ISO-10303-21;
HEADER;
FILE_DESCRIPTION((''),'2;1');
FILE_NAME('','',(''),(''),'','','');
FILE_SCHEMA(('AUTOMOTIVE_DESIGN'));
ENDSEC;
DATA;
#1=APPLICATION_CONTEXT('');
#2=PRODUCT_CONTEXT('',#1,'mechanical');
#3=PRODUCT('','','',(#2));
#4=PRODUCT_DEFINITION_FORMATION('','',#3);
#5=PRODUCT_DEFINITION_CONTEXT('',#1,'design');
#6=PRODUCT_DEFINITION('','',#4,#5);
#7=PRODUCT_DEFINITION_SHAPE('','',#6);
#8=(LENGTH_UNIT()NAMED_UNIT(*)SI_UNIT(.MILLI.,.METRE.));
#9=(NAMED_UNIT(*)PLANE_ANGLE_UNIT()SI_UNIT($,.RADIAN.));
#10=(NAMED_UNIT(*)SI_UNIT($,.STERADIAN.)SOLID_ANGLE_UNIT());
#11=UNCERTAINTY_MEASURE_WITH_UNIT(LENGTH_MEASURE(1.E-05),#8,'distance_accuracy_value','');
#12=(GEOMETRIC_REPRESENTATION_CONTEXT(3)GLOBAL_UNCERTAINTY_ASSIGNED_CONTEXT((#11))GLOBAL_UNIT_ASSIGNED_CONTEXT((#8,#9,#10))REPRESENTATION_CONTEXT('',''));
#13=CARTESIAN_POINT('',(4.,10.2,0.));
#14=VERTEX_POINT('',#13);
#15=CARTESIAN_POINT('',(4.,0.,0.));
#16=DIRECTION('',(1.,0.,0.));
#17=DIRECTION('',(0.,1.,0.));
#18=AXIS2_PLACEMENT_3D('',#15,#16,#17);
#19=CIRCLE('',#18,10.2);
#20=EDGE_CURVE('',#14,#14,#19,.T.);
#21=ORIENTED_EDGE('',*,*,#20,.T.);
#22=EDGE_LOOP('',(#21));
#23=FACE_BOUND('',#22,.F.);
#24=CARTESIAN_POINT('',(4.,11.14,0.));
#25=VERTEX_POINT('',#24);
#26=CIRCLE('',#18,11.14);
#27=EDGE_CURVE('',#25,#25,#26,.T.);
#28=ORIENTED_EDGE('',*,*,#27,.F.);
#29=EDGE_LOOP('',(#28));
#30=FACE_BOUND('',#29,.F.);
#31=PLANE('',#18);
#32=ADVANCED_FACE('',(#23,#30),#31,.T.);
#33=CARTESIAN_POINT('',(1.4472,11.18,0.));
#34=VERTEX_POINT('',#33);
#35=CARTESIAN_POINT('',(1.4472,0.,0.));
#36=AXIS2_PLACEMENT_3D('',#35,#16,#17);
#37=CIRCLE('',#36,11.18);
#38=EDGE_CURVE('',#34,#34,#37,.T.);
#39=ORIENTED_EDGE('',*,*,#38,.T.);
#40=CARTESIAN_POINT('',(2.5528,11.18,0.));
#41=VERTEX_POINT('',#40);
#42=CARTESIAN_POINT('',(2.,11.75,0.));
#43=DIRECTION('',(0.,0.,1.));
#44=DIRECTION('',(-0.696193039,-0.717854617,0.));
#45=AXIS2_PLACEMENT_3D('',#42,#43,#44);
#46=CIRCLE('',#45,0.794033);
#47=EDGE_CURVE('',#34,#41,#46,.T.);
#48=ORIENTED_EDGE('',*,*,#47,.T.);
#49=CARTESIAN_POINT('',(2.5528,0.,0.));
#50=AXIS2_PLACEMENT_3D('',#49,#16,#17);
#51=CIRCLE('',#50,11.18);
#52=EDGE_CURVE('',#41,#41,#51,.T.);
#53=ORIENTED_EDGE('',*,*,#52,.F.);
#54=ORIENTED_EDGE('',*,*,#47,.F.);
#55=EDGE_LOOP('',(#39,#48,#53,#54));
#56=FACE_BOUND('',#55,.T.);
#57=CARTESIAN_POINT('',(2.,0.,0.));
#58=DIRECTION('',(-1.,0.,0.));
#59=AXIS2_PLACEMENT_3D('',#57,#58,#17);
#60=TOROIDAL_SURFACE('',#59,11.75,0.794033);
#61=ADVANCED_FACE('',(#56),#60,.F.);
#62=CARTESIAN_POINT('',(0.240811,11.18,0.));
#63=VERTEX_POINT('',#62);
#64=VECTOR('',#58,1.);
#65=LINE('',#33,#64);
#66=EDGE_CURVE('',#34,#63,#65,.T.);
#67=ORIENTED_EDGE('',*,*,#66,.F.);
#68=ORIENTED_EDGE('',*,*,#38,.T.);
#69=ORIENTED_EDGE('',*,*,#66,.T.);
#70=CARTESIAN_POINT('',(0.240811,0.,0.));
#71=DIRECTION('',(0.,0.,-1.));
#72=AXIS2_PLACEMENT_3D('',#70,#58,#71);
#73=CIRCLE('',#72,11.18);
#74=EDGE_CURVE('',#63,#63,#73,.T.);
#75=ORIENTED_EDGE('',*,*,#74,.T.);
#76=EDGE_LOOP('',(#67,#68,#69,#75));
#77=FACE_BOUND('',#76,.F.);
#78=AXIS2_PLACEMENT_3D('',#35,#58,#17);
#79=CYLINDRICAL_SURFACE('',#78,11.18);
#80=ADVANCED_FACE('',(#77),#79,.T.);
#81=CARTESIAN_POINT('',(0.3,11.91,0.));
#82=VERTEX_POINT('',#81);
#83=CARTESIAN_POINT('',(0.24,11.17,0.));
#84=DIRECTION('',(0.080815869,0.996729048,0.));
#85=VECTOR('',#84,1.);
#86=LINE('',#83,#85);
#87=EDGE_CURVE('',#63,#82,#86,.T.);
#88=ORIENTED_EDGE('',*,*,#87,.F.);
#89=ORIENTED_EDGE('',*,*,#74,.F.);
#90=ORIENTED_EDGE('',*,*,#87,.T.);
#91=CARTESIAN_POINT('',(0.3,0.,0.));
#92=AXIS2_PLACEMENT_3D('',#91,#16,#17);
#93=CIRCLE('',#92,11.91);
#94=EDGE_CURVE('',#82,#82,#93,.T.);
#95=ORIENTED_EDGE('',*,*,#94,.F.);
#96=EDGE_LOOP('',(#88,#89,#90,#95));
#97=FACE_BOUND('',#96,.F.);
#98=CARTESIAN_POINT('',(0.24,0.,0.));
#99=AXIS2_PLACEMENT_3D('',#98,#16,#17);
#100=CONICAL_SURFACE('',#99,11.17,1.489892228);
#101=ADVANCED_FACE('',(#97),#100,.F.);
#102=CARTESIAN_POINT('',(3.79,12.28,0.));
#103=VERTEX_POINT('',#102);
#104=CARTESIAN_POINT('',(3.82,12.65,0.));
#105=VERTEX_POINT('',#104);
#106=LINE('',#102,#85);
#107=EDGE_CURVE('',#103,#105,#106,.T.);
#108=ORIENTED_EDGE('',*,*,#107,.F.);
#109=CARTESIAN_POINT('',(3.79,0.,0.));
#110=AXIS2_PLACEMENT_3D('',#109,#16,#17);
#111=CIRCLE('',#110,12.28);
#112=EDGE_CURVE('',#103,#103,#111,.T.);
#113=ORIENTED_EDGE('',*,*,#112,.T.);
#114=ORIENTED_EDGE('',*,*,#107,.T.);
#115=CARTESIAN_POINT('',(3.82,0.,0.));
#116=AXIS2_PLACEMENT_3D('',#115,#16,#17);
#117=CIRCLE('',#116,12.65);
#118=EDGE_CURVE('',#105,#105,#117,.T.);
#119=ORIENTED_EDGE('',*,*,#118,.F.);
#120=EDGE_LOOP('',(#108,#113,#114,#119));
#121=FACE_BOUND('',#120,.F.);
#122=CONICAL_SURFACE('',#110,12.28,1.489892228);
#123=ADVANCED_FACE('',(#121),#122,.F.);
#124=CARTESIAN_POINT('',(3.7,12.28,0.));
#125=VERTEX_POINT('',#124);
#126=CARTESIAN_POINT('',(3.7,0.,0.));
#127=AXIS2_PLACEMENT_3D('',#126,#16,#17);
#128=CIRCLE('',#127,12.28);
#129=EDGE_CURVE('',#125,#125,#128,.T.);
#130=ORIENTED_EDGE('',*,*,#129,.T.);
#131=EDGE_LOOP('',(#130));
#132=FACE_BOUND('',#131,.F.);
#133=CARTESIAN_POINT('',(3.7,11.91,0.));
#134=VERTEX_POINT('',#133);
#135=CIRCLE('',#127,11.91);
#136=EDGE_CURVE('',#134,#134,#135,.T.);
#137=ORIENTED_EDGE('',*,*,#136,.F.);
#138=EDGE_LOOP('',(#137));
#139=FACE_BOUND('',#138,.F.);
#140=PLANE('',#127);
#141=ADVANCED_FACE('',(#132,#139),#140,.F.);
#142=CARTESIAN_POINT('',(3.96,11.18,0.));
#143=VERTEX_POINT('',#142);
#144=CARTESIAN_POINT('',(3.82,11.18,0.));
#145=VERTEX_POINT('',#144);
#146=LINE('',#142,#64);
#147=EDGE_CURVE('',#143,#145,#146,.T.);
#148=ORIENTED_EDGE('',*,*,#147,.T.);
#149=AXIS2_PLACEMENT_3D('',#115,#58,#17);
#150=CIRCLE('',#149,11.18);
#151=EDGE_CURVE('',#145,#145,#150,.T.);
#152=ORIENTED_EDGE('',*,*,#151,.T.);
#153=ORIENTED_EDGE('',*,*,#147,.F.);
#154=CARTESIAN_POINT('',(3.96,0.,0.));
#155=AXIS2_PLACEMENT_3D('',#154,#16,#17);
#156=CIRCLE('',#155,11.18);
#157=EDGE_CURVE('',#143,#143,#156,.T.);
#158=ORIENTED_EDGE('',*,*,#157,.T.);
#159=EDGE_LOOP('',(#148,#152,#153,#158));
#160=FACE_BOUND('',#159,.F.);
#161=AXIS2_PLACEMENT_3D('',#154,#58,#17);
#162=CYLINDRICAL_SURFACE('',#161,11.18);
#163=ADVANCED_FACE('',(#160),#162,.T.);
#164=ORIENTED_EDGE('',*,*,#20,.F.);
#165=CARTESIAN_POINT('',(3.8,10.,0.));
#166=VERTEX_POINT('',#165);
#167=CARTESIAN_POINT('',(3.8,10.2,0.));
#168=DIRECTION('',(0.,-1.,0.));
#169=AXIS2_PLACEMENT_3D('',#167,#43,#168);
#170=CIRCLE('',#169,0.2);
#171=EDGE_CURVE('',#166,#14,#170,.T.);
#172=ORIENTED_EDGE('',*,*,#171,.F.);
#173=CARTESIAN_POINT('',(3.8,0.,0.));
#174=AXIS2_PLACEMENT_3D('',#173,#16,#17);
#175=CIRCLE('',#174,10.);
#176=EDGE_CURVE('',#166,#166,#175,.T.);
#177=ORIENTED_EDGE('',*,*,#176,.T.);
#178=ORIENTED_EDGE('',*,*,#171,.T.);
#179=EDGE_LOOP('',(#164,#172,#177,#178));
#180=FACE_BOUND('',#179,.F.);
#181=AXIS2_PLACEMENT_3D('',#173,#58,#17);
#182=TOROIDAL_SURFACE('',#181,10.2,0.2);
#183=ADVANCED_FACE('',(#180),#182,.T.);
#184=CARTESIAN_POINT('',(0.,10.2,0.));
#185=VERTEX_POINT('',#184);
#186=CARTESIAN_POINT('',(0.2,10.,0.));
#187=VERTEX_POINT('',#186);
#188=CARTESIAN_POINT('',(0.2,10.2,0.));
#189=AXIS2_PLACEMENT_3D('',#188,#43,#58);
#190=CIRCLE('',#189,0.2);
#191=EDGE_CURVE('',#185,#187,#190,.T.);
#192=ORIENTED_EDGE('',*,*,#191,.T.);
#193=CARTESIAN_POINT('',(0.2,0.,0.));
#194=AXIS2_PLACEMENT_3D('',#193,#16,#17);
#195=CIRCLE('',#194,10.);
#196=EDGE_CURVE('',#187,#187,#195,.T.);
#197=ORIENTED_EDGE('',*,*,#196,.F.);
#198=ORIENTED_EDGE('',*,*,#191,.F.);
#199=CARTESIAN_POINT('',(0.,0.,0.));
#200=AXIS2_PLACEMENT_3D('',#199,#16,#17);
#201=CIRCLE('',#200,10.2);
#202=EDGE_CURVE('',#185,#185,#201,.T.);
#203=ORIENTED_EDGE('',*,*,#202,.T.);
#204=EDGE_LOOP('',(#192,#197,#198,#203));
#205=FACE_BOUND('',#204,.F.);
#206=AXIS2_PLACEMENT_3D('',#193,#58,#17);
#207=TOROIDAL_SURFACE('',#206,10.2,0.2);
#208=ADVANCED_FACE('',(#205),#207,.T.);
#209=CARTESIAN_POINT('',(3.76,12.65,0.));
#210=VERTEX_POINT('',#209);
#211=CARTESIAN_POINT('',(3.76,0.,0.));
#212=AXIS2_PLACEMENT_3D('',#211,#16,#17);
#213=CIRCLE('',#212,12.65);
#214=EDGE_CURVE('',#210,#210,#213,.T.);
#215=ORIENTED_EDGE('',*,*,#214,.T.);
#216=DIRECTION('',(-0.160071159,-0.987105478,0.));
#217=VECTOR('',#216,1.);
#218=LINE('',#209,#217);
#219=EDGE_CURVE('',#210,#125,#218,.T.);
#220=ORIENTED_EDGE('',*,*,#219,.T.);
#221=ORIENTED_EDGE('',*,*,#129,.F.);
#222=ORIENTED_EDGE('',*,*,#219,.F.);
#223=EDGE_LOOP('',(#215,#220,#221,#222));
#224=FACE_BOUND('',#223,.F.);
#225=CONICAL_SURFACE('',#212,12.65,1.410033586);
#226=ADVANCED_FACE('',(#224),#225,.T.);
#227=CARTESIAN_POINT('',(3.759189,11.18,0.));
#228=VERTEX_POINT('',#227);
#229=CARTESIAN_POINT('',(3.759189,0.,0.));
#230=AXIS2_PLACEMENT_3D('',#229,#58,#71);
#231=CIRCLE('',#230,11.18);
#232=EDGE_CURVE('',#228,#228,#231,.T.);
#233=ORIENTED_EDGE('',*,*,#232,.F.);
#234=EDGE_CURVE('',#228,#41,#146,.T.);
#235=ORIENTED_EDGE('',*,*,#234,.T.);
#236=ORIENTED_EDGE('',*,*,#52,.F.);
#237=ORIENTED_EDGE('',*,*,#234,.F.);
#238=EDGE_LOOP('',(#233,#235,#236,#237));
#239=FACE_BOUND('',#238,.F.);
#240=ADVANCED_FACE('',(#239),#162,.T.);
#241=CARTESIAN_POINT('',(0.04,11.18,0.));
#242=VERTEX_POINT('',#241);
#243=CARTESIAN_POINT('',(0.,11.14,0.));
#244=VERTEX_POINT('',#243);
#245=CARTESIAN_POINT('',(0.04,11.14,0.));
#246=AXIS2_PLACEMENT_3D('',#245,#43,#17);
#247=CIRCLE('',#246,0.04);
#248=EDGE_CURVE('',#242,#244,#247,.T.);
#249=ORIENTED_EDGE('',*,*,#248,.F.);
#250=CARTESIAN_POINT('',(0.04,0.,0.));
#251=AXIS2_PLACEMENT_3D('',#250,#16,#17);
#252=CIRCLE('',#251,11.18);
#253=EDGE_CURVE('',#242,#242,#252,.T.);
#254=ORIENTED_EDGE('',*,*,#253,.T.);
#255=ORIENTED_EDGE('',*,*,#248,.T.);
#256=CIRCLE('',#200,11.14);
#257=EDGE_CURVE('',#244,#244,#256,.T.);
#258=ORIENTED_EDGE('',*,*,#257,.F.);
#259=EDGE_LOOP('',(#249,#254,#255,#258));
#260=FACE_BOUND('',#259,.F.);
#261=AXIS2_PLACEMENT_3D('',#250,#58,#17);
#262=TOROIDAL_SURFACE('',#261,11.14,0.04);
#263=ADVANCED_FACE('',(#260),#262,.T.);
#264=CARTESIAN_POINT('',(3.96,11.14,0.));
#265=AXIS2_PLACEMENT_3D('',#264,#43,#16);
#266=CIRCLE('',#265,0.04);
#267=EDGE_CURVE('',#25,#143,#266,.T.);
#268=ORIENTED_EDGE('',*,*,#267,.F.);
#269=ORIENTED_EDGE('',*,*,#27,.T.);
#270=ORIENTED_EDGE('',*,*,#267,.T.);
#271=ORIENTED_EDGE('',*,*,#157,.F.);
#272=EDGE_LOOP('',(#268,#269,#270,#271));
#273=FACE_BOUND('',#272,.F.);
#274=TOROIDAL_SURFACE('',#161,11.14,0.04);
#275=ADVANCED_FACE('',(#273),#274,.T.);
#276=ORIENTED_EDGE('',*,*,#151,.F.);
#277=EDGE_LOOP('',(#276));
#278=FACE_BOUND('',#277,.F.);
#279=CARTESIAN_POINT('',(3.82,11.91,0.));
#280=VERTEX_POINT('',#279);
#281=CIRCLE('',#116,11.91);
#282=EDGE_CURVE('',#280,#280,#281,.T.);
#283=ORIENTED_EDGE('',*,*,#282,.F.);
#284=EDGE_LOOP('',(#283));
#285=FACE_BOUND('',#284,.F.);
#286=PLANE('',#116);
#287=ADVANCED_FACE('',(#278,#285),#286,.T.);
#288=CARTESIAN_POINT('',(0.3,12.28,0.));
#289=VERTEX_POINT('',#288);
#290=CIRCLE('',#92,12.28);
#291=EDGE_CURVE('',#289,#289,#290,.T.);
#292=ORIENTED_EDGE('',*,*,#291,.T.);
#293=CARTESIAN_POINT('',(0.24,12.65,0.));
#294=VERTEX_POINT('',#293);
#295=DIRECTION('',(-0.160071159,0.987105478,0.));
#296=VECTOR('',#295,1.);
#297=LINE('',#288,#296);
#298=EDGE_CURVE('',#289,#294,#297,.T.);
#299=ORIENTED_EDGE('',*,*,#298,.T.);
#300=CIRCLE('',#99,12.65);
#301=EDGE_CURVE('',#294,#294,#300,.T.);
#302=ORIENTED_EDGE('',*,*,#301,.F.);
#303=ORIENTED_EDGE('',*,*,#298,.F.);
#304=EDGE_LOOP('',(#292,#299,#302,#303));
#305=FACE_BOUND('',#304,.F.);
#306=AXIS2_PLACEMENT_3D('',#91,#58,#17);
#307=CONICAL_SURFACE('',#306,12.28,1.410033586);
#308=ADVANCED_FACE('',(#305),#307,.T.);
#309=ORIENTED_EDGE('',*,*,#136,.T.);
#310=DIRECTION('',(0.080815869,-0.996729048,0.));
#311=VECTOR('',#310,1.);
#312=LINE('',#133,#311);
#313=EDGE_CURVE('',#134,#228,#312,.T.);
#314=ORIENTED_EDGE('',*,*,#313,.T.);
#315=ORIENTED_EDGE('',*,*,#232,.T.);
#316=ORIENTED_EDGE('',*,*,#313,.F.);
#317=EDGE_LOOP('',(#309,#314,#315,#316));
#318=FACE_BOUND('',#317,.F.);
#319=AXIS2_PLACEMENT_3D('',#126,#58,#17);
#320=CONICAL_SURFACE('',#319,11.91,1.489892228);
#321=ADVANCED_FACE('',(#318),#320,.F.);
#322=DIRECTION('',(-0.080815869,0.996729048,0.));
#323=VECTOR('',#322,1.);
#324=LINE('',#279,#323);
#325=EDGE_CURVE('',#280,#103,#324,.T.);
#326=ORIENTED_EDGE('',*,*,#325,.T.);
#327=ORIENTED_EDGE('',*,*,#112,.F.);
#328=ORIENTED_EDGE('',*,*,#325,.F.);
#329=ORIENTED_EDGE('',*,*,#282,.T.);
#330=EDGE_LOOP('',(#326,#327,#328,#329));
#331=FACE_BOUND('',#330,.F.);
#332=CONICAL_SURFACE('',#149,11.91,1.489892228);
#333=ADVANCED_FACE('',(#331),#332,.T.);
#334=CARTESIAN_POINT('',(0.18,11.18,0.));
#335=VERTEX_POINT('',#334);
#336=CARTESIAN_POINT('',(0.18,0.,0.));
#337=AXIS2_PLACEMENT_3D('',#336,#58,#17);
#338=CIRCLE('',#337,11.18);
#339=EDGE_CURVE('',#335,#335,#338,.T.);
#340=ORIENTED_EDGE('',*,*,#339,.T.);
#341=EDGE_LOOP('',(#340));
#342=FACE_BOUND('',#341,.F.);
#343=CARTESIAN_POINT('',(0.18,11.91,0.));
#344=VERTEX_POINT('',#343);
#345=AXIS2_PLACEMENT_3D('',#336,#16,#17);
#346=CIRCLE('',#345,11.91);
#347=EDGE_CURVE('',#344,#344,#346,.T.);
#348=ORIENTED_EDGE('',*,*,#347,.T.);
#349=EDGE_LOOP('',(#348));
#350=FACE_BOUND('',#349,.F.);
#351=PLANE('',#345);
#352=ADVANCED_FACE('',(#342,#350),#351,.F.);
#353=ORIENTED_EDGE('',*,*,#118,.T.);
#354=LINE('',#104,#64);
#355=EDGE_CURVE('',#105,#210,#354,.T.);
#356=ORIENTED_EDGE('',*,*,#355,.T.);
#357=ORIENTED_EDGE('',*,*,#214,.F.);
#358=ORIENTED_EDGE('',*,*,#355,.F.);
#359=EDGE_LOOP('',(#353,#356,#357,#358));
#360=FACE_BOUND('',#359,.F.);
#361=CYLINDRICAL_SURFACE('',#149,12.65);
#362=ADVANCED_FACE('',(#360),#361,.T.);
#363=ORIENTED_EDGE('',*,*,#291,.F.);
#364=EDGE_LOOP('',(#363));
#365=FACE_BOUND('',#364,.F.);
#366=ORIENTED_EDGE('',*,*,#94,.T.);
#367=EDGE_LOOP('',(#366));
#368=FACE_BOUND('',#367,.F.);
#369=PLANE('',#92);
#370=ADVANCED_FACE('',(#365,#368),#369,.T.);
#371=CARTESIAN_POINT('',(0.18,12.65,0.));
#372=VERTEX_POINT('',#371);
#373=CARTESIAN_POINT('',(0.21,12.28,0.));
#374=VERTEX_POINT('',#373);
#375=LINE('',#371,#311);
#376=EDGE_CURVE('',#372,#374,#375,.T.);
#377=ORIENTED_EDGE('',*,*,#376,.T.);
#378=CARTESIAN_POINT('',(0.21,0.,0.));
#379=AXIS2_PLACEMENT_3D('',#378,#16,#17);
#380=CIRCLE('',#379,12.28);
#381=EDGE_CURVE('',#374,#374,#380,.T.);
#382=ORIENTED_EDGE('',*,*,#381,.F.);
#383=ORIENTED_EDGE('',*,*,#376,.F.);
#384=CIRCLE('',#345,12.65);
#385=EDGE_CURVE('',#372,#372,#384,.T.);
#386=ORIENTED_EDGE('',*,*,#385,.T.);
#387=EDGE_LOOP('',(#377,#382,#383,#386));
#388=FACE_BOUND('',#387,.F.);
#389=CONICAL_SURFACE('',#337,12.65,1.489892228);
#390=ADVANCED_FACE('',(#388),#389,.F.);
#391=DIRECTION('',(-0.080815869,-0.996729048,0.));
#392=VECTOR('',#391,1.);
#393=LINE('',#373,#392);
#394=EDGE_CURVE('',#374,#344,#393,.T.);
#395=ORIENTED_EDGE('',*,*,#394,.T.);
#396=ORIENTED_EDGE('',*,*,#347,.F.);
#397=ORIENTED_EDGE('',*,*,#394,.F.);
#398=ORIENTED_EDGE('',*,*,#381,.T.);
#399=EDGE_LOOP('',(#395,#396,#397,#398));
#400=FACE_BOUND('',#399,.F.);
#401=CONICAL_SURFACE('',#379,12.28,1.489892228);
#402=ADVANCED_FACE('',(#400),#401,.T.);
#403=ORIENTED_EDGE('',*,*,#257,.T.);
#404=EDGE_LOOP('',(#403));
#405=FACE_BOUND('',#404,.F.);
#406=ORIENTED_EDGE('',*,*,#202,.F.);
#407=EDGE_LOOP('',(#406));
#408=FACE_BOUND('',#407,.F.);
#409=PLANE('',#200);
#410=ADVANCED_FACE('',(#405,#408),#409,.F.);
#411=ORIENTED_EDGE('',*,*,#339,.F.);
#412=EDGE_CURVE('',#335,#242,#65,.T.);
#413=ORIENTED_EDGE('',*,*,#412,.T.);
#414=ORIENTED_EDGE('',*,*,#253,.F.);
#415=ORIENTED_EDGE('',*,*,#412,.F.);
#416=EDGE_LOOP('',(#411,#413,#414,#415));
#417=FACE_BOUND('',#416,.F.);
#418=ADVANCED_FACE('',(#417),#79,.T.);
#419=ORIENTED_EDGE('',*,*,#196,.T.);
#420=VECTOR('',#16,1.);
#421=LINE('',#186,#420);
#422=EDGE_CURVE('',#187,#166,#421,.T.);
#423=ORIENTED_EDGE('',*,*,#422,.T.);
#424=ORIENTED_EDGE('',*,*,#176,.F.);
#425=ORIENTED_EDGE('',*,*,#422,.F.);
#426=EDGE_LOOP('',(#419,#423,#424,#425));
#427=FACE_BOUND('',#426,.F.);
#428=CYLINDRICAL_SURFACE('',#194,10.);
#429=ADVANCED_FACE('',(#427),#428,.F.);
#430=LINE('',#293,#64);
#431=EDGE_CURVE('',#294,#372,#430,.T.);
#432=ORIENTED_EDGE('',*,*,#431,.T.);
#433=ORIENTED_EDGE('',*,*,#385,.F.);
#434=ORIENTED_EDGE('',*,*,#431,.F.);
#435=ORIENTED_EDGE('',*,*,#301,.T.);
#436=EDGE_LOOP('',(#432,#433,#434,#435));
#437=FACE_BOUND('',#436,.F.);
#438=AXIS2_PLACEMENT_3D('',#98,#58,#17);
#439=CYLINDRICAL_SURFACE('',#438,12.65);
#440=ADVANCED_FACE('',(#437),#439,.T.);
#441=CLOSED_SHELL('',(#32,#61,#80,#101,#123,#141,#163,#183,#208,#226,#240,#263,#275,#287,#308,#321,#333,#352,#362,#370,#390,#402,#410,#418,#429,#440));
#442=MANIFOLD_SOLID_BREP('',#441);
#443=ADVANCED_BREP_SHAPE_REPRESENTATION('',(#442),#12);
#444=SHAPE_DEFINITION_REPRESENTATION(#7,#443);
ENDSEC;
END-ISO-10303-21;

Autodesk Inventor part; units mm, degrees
ref_plane "YZ Plane" through (0, 0, 0) normal (1, 0, 0) x (0, 1, 0)
ref_plane "XZ Plane" through (0, 0, 0) normal (0, 1, 0) x (-1, 0, 0)
ref_plane "XY Plane" through (0, 0, 0) normal (0, 0, 1) x (1, 0, 0)
sketch "Sketch_17" plane through (0, 0, 0) normal (0, 0, 1) x (1, 0, 0)
  line L0 (50, 0) -> (-50, 0)
  line L1 (0, 11.14) -> (0, 10.2)
  arc A0 (0, 10.2) -> (0.2, 10) centre (0.2, 10.2) ccw
  line L2 (0.2, 10) -> (3.8, 10)
  arc A1 (3.8, 10) -> (4, 10.2) centre (3.8, 10.2) ccw
  line L3 (4, 10.2) -> (4, 11.14)
  arc A2 (4, 11.14) -> (3.96, 11.18) centre (3.96, 11.14) ccw
  line L4 (3.96, 11.18) -> (2.5528, 11.18)
  arc A3 (1.4472, 11.18) -> (2.5528, 11.18) centre (2, 11.75) ccw
  line L5 (1.4472, 11.18) -> (0.04, 11.18)
  arc A4 (0.04, 11.18) -> (0, 11.14) centre (0.04, 11.14) ccw
revolve "Revolution1" add sketch "Sketch_17" angle 360 about axis through (50, 0, 0) along (1, 0, 0)
sketch "Sketch_20" plane through (0, 0, 0) normal (0, 0, 1) x (1, 0, 0)
  line L0 (50, 0) -> (-50, 0)
  line L1 (0.18, 12.65) -> (0.21, 12.28)
  line L2 (0.21, 12.28) -> (0.18, 11.91)
  line L3 (0.18, 11.91) -> (0.18, 11.17)
  line L4 (0.18, 11.17) -> (0.24, 11.17)
  line L5 (0.24, 11.17) -> (0.3, 11.91)
  line L6 (0.3, 11.91) -> (0.3, 12.28)
  line L7 (0.3, 12.28) -> (0.24, 12.65)
  line L8 (0.24, 12.65) -> (0.18, 12.65)
revolve "Revolution2" add sketch "Sketch_20" angle 360 about axis through (50, 0, 0) along (1, 0, 0)
sketch "Sketch_21" plane through (0, 0, 0) normal (0, 0, 1) x (1, 0, 0)
  line L0 (50, 0) -> (-50, 0)
  line L1 (3.7, 12.28) -> (3.7, 11.91)
  line L2 (3.7, 11.91) -> (3.76, 11.17)
  line L3 (3.76, 11.17) -> (3.82, 11.17)
  line L4 (3.82, 11.17) -> (3.82, 11.91)
  line L5 (3.82, 11.91) -> (3.79, 12.28)
  line L6 (3.79, 12.28) -> (3.82, 12.65)
  line L7 (3.82, 12.65) -> (3.76, 12.65)
  line L8 (3.76, 12.65) -> (3.7, 12.28)
revolve "Revolution3" add sketch "Sketch_21" angle 360 about axis through (50, 0, 0) along (1, 0, 0)
properties part number "W 61704-2ZS_PART1"
